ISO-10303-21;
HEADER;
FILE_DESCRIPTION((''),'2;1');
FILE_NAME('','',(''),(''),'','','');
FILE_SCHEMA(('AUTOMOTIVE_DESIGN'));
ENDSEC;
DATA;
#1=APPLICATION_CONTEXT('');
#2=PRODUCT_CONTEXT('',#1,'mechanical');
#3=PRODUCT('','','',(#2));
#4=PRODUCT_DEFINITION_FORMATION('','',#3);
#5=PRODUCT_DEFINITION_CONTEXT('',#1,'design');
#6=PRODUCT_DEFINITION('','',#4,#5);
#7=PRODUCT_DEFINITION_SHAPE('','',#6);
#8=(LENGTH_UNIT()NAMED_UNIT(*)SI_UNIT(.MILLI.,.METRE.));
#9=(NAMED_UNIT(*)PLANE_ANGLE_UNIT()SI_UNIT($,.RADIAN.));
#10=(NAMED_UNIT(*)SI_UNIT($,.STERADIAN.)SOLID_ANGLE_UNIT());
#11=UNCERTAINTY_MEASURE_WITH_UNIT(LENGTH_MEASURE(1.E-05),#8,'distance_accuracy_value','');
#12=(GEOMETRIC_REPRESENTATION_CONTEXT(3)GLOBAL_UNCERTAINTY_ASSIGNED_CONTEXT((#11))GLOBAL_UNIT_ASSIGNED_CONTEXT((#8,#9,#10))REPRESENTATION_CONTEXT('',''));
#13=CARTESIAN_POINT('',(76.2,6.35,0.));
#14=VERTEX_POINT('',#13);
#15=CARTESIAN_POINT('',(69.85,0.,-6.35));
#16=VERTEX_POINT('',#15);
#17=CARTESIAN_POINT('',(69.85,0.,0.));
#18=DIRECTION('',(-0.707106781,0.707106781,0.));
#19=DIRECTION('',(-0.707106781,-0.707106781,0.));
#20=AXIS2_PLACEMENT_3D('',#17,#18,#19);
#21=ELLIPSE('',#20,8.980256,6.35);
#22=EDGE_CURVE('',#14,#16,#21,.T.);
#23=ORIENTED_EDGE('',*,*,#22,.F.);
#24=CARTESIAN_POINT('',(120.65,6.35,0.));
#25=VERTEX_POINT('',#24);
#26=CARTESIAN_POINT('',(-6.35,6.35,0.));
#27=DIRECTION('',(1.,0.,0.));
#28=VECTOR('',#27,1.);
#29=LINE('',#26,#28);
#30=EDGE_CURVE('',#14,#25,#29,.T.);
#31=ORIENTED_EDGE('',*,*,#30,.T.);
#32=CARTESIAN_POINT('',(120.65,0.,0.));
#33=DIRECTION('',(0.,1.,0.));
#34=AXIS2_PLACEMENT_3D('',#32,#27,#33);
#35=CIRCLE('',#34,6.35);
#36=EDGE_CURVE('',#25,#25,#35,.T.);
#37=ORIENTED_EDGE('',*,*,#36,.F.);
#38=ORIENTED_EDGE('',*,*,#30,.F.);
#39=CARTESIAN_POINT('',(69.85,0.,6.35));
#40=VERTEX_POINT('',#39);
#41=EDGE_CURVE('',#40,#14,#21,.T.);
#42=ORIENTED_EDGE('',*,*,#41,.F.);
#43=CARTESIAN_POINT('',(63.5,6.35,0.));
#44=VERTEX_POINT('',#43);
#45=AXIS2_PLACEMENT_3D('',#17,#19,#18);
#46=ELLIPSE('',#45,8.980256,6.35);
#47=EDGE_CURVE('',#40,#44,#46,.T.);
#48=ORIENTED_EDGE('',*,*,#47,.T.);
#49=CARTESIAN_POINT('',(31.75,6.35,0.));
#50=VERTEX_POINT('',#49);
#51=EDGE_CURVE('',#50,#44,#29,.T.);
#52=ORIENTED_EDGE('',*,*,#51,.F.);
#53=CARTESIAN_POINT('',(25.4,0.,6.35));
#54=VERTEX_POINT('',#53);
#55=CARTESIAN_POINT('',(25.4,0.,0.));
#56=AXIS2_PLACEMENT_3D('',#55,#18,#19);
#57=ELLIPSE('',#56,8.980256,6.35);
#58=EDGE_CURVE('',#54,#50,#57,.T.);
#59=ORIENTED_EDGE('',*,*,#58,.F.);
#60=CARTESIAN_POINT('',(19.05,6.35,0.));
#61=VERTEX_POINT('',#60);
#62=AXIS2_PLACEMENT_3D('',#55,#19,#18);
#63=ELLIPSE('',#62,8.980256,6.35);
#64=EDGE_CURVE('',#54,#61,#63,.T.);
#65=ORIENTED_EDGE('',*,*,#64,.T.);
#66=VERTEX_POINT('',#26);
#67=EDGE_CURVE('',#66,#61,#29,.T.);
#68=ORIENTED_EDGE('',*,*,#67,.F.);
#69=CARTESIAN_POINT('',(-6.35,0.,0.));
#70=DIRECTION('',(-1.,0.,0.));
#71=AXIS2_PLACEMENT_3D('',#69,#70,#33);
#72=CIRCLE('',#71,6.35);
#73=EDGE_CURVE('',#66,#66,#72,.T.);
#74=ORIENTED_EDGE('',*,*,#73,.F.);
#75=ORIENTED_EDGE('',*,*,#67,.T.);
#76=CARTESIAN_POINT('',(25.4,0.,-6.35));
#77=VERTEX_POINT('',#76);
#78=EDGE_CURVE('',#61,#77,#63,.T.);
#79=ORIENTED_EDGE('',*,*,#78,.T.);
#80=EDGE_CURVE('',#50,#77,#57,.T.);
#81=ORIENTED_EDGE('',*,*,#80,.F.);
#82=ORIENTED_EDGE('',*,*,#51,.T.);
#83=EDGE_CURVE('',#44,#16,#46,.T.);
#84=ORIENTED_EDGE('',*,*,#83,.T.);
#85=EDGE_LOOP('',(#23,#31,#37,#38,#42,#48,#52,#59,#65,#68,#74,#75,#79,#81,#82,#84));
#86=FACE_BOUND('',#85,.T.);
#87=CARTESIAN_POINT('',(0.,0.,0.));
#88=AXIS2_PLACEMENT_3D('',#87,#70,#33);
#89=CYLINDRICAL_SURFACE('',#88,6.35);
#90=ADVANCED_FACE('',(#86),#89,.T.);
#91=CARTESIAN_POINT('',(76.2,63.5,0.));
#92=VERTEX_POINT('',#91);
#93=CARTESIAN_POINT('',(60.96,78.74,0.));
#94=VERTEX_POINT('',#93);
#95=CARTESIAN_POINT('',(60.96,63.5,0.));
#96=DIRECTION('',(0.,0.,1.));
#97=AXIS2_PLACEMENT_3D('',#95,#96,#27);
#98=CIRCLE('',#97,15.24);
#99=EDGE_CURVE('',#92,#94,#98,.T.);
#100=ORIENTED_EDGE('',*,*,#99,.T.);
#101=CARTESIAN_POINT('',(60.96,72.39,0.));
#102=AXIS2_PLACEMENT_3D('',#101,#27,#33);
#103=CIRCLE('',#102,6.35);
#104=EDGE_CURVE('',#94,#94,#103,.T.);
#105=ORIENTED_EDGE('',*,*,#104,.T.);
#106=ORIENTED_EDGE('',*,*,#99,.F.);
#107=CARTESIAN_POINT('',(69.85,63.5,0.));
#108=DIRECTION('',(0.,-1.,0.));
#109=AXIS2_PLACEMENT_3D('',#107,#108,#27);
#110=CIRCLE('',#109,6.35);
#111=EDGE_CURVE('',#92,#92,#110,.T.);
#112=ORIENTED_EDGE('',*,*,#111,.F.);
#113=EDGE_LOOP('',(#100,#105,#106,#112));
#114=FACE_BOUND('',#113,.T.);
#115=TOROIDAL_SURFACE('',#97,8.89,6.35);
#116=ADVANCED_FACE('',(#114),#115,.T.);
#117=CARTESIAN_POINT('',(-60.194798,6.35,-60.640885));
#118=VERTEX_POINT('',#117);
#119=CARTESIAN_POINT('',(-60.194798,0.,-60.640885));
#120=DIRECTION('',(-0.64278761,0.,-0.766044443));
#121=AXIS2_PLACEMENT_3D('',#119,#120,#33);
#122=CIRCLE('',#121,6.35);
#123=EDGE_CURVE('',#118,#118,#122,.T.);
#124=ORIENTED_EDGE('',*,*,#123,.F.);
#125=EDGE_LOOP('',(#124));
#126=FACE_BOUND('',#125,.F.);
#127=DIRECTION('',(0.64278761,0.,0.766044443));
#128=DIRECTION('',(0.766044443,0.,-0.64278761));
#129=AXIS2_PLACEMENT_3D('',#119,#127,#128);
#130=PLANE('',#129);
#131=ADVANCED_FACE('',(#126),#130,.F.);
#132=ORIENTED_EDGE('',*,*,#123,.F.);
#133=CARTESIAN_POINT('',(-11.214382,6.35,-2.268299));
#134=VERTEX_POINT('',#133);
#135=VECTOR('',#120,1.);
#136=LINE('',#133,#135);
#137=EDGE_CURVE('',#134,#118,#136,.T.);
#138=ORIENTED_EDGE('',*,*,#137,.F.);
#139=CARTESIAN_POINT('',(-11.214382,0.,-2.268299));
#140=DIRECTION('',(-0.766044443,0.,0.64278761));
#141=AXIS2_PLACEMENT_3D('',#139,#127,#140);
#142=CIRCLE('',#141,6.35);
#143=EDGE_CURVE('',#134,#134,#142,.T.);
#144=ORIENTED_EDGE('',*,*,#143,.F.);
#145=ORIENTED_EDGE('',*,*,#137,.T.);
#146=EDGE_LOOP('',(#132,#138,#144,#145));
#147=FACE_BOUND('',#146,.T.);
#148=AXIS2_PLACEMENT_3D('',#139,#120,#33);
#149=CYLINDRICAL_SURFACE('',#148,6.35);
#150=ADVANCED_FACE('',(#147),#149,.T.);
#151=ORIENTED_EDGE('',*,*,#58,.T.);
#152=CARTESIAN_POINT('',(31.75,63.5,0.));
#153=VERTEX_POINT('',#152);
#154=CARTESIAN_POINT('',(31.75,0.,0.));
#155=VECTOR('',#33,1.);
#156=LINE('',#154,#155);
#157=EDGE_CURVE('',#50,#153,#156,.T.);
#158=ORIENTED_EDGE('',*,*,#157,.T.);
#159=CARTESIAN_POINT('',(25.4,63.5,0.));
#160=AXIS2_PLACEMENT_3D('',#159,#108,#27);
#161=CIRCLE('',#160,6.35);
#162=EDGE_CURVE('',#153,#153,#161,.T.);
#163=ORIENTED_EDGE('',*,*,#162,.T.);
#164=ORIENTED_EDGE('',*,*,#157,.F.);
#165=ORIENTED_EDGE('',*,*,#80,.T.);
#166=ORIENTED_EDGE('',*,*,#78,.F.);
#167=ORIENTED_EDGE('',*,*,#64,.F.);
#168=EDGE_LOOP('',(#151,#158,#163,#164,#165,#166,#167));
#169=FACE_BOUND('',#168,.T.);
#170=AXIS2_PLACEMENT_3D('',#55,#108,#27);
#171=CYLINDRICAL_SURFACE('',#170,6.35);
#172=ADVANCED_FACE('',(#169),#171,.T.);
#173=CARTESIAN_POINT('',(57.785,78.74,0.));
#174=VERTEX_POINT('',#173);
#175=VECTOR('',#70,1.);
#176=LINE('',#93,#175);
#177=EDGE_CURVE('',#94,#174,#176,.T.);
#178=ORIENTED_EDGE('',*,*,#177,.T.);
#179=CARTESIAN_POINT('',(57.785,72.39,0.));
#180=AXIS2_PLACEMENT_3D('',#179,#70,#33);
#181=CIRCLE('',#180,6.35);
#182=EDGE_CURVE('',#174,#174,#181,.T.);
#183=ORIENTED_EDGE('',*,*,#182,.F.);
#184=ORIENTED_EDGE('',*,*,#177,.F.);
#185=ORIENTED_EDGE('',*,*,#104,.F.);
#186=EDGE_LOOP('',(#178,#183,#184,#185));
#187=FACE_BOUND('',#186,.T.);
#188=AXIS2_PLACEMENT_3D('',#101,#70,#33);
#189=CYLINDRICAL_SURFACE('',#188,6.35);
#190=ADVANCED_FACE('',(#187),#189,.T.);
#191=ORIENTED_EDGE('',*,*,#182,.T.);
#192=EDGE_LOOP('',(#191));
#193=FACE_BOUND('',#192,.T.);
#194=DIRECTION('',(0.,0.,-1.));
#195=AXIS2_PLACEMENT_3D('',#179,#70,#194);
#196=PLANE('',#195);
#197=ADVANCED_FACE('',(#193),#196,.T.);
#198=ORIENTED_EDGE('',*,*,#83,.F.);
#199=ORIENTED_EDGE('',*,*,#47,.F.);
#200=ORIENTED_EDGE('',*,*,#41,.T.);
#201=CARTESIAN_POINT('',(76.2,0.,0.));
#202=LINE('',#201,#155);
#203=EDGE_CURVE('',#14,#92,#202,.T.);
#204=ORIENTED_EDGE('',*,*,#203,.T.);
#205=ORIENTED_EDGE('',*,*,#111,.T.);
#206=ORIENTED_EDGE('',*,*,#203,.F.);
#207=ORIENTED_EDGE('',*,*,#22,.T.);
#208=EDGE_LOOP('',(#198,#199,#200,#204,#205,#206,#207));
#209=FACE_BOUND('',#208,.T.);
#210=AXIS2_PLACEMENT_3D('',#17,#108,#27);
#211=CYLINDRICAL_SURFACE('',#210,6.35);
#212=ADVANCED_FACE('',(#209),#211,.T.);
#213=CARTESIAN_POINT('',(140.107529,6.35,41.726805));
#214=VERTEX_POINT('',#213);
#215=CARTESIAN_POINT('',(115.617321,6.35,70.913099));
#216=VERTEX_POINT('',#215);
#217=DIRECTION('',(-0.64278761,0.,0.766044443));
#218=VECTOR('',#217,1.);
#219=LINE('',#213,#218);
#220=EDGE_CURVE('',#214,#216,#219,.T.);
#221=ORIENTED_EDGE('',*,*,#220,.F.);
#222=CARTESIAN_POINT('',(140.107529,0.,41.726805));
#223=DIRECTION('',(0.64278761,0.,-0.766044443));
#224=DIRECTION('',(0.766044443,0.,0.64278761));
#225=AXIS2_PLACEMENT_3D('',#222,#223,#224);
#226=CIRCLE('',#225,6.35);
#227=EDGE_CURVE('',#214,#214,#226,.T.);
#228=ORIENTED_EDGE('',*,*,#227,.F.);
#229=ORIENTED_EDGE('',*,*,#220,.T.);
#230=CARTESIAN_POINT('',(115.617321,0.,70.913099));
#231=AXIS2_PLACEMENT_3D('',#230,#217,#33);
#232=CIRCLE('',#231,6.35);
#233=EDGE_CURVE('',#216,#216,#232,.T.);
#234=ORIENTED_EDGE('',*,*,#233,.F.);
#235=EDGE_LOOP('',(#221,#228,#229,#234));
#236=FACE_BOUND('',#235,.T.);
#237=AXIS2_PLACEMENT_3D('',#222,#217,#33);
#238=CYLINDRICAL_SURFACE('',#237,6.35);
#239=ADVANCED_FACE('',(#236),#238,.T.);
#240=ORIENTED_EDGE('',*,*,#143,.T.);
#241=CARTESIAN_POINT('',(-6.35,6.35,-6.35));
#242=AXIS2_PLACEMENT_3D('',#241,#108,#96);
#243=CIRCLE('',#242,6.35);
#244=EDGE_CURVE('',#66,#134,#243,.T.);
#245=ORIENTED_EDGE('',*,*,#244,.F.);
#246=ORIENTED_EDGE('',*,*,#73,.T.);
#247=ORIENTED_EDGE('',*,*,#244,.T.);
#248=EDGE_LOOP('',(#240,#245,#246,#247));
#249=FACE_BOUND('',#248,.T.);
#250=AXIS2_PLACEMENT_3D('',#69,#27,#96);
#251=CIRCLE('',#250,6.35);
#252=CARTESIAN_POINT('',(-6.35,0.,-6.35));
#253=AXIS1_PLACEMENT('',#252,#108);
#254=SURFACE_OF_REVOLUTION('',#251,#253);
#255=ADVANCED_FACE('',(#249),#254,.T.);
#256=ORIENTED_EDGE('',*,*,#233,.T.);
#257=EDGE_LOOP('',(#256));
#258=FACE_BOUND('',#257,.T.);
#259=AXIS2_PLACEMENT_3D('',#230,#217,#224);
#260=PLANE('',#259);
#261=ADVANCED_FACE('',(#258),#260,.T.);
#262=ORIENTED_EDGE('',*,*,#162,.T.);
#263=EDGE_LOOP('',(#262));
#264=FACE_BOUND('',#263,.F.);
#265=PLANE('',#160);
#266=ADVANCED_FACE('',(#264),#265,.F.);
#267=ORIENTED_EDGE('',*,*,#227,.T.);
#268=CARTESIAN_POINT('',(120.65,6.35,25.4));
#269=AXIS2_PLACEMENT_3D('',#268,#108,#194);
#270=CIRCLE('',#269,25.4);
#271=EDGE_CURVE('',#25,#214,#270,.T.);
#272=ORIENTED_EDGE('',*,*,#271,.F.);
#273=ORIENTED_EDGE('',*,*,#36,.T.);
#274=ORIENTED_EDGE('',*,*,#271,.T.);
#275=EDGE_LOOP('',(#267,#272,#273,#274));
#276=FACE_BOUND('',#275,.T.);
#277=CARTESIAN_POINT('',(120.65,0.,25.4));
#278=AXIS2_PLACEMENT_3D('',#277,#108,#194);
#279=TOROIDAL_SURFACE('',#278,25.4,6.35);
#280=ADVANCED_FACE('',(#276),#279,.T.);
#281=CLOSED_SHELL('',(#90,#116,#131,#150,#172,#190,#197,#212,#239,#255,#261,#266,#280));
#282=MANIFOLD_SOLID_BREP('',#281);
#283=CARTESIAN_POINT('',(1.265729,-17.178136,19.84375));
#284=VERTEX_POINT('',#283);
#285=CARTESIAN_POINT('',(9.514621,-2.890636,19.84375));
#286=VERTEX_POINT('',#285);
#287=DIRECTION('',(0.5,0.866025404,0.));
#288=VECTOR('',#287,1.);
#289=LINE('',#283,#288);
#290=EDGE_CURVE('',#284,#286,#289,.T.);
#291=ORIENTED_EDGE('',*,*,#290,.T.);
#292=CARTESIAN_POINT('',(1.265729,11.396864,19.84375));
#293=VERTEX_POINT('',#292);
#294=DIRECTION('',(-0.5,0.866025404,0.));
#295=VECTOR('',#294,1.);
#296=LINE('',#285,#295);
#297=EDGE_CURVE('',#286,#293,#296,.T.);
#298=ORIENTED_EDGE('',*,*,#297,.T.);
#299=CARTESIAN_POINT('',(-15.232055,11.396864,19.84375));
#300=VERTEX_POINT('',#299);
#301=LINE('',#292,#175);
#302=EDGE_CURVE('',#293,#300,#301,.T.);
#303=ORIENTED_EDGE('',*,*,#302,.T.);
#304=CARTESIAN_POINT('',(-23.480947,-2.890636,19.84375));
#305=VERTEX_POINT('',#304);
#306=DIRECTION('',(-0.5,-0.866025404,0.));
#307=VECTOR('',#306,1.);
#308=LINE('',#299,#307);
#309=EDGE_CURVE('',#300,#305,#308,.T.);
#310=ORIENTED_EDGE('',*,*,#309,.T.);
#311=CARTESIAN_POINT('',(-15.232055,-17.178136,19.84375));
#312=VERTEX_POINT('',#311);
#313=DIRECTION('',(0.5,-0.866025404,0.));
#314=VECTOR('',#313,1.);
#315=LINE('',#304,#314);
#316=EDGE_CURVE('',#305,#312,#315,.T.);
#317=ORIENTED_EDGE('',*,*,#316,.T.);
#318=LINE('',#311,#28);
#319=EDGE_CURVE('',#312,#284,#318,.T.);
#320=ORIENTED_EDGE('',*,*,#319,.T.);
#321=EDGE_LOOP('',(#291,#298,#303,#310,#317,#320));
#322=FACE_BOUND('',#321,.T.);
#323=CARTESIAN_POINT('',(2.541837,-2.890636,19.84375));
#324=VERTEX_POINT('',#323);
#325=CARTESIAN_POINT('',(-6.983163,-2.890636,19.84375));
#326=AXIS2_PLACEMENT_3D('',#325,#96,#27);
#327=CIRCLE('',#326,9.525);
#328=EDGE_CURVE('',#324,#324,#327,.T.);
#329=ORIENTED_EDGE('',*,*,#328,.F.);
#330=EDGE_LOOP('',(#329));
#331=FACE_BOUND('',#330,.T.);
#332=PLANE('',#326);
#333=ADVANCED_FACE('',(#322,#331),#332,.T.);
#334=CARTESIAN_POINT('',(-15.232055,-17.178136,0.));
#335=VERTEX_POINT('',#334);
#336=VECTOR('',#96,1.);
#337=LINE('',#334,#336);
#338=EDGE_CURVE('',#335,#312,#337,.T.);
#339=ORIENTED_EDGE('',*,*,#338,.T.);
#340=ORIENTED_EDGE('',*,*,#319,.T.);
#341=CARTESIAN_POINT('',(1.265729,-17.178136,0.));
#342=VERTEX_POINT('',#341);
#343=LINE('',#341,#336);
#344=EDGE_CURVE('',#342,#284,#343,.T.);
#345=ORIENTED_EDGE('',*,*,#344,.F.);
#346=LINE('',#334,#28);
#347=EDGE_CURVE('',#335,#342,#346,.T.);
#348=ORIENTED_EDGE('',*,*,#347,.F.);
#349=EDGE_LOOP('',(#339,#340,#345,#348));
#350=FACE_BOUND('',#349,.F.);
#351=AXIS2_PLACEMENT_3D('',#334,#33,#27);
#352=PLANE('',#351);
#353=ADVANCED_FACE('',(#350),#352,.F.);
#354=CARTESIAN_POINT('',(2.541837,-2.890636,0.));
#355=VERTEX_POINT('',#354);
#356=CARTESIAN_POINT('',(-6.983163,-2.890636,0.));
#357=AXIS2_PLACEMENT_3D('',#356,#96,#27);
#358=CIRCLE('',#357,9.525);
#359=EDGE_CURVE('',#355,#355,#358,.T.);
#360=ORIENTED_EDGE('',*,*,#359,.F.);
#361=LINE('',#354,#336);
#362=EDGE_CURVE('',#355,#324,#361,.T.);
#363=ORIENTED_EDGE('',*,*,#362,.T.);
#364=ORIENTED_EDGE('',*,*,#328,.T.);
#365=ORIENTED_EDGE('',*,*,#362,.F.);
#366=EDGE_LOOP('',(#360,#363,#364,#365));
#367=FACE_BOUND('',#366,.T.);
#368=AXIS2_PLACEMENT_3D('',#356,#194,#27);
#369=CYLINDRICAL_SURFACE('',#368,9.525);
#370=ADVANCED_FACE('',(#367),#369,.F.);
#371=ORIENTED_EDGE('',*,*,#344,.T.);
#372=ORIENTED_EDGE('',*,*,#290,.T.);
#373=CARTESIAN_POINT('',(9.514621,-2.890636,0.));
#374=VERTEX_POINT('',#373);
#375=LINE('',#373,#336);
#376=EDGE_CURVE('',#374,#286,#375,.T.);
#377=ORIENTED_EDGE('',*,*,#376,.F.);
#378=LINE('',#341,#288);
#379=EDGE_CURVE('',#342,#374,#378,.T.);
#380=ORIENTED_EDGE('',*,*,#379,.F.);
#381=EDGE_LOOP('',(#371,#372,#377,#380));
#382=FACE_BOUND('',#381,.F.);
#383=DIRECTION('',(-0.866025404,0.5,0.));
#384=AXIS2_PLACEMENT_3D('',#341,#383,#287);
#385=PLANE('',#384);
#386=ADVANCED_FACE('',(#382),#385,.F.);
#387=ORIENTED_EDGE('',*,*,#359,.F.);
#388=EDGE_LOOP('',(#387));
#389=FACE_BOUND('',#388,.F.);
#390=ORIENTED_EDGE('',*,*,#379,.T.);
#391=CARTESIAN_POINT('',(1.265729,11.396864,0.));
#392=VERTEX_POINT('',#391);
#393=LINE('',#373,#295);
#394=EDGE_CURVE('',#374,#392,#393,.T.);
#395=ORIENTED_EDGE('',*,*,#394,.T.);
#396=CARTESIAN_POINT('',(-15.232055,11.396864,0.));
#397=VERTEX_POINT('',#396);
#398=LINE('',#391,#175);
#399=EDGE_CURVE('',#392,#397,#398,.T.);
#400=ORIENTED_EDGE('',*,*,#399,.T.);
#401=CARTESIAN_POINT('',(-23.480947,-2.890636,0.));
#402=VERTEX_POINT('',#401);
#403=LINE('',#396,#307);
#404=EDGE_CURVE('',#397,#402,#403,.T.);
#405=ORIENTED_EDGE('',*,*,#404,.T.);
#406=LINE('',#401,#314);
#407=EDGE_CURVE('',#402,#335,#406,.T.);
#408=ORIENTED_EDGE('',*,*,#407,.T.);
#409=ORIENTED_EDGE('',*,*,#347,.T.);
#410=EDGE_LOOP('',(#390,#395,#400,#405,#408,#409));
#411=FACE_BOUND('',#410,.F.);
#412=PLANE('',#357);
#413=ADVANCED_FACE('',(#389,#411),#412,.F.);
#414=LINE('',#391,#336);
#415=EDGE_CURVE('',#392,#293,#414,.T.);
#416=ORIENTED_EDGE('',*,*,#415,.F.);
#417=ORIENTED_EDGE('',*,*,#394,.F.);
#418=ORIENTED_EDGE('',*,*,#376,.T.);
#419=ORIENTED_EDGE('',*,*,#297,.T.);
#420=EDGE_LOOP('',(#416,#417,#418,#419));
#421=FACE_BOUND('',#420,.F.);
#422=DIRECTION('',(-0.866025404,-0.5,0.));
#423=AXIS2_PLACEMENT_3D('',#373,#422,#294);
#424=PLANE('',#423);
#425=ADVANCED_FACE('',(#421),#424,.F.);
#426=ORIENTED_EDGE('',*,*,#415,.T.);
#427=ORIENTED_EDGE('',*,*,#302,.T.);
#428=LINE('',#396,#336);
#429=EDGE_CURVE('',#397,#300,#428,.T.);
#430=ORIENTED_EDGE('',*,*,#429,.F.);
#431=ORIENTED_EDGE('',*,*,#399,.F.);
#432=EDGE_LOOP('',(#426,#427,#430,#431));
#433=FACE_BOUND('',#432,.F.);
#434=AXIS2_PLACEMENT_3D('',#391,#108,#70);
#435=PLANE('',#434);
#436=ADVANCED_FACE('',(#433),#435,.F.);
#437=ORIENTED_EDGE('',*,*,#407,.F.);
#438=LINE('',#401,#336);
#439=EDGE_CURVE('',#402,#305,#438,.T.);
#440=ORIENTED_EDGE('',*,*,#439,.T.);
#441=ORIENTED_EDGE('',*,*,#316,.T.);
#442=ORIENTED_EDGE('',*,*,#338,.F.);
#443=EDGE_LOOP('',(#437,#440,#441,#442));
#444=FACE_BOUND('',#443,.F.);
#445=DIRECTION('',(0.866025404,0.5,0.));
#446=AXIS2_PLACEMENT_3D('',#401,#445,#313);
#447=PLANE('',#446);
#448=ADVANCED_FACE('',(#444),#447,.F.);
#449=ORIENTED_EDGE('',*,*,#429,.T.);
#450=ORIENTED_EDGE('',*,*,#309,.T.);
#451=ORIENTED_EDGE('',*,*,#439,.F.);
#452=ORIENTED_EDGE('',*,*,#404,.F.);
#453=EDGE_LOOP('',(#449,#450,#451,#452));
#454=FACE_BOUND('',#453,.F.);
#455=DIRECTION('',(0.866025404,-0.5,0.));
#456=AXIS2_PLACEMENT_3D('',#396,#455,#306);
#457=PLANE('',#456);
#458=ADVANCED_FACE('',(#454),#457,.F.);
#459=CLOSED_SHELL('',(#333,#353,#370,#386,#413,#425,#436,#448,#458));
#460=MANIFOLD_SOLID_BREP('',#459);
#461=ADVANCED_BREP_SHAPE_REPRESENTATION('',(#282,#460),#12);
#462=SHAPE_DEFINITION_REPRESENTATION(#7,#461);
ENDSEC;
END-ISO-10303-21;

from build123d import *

# Parameters (mm, degrees)
F1_R      = 6.35
F4_R      = 6.35
F5_DEPTH  = 63.5
F5_FACE_R = 6.35
F8_R      = 9.525
F9_DEPTH  = 19.84375


with BuildPart() as f2:
    # F2: sweep along a path in F0
    with BuildLine(Plane.XZ) as f2_path:
        Line((0, 0), (120.65, 0))
        ThreePointArc((120.65, 0), (143.6702177907, 14.6654961518), (140.1075288552, 41.726805286))
        Line((140.1075288552, 41.726805286), (115.6173209262, 70.9130985689))
    # F1 (on Right) → F2 (sweep)
    with BuildSketch(Plane.YZ):
        Circle(F1_R)
    sweep(path=f2_path.line)

    # F3: sweep along a path in F0
    with BuildLine(Plane.XZ) as f3_path:
        Line((0, 0), (-6.35, 0))
        ThreePointArc((-6.35, 0), (-9.0336259621, -0.5949455523), (-11.2143822138, -2.2682986785))
        Line((-11.2143822138, -2.2682986785), (-60.1947980719, -60.6408852442))
    # F1 (on Right) → F3 (sweep)
    with BuildSketch(Plane.YZ):
        Circle(F1_R)
    sweep(path=f3_path.line)

    # F4 (on Front) → F5 (join)
    with BuildSketch(Plane.XZ):
        with Locations((25.4, 0)):
            Circle(F4_R)
        with Locations((69.85, 0)):
            Circle(F4_R)
    extrude(amount=-F5_DEPTH)

    # F7: sweep along a path in F6
    with BuildLine(Plane.XY) as f7_path:
        ThreePointArc((69.85, 63.5), (67.2461792847, 69.7861792847), (60.96, 72.39))
        Line((60.96, 72.39), (57.785, 72.39))
    # F5_face (on face) → F7 (sweep)
    with BuildSketch(Plane(origin=(69.85, 63.5, 0), x_dir=(1, 0, 0), z_dir=(0, 1, 0))):
        Circle(F5_FACE_R)
    sweep(path=f7_path.line)


with BuildPart() as f9:
    # F8 (on Top) → F9 (new body)
    with BuildSketch(Plane.XY):
        Polygon((9.5146208037, -2.8906361649), (1.2657288326, 11.3968638351), (-15.2320551094, 11.3968638351), (-23.4809470805, -2.8906361649), (-15.2320551094, -17.1781361649), (1.2657288326, -17.1781361649), align=None)
        with Locations((-6.9831631384, -2.8906361649)):
            Circle(F8_R, mode=Mode.SUBTRACT)
    extrude(amount=F9_DEPTH)


solid = Compound([f2.part, f9.part])
